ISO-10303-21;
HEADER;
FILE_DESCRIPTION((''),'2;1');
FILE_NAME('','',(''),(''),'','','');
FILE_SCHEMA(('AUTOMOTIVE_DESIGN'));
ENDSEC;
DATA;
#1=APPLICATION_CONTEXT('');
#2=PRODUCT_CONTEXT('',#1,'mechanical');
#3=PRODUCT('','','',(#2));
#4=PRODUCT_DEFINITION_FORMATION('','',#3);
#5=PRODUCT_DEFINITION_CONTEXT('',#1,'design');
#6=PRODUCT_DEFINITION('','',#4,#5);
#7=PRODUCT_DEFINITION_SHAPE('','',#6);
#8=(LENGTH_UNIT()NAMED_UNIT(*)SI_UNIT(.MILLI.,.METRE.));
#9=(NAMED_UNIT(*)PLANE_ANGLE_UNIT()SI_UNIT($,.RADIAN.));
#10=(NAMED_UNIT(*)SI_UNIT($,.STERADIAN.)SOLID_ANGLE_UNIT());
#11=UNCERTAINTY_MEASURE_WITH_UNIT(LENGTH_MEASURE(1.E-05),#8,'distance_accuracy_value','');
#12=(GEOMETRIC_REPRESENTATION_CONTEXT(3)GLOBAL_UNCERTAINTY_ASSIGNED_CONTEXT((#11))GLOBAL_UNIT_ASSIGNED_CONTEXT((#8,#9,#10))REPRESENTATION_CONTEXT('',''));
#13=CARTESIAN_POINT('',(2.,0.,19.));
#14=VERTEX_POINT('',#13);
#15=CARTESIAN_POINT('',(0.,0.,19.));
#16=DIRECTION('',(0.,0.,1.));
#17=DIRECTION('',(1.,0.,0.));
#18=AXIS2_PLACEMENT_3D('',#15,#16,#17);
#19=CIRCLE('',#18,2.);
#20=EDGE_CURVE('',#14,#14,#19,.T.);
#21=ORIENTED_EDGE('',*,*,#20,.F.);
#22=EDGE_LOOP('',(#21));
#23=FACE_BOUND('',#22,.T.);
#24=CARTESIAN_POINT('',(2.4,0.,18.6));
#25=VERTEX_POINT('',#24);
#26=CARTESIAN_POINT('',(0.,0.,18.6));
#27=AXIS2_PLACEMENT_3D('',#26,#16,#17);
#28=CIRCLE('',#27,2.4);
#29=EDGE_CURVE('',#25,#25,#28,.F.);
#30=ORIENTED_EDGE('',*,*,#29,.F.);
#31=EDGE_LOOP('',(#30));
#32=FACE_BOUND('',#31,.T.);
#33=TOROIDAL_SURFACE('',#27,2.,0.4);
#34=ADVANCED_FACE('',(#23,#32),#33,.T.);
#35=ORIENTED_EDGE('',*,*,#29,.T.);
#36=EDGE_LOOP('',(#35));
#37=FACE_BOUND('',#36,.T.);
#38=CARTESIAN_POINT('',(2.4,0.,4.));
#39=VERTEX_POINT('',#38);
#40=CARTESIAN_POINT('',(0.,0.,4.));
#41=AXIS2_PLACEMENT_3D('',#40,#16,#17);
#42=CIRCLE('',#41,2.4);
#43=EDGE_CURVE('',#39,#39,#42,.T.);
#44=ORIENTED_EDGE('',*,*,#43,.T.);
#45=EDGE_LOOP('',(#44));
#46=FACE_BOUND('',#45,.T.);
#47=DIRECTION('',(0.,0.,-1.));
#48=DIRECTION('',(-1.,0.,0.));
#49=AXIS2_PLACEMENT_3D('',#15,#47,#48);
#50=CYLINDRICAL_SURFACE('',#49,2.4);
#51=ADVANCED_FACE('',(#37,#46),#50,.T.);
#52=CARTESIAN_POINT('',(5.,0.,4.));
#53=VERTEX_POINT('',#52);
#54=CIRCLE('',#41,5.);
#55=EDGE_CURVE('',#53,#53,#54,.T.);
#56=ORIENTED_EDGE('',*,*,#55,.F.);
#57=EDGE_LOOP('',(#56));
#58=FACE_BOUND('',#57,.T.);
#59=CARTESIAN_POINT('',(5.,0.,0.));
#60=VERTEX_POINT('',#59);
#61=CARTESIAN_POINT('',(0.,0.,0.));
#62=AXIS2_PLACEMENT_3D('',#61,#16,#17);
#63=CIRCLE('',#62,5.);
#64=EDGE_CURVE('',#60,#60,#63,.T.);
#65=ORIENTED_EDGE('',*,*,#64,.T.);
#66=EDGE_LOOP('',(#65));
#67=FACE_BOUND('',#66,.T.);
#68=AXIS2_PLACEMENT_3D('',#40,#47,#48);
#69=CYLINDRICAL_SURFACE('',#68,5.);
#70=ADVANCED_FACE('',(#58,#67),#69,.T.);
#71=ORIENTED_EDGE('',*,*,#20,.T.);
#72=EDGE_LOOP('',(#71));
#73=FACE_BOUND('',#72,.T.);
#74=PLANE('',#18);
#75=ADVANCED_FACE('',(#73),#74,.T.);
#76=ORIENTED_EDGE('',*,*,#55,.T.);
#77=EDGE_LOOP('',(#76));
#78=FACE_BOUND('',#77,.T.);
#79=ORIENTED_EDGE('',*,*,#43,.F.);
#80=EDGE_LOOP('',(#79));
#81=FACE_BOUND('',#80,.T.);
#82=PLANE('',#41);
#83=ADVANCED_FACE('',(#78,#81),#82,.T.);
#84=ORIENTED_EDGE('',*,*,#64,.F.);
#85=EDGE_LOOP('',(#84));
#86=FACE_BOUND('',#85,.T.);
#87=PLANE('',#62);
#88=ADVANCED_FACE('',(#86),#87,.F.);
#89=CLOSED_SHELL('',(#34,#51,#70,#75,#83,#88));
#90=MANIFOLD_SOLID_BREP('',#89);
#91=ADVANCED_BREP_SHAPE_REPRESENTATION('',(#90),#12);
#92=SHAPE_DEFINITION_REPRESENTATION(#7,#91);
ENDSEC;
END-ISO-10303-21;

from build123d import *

# Parameters (mm, degrees)
ESQUISSE1_R        = 5
BOSS_EXTRU_1_DEPTH = 4
ESQUISSE2_R        = 2.4
BOSS_EXTRU_2_DEPTH = 15
CONG_1_R           = 0.4


with BuildPart() as part:
    # Esquisse1 → Boss.-Extru.1 (new body)
    with BuildSketch(Plane.XY):
        Circle(ESQUISSE1_R)
    extrude(amount=BOSS_EXTRU_1_DEPTH)

    # Esquisse2 → Boss.-Extru.2 (add)
    with BuildSketch(Plane.XY.offset(4)):
        Circle(ESQUISSE2_R)
    extrude(amount=BOSS_EXTRU_2_DEPTH)

    # Congé1
    cong_1_edges = [part.edges().sort_by_distance(p)[0] for p in [
        (-2.4, 0, 19),
    ]]
    fillet(cong_1_edges, radius=CONG_1_R)


solid = part.part
